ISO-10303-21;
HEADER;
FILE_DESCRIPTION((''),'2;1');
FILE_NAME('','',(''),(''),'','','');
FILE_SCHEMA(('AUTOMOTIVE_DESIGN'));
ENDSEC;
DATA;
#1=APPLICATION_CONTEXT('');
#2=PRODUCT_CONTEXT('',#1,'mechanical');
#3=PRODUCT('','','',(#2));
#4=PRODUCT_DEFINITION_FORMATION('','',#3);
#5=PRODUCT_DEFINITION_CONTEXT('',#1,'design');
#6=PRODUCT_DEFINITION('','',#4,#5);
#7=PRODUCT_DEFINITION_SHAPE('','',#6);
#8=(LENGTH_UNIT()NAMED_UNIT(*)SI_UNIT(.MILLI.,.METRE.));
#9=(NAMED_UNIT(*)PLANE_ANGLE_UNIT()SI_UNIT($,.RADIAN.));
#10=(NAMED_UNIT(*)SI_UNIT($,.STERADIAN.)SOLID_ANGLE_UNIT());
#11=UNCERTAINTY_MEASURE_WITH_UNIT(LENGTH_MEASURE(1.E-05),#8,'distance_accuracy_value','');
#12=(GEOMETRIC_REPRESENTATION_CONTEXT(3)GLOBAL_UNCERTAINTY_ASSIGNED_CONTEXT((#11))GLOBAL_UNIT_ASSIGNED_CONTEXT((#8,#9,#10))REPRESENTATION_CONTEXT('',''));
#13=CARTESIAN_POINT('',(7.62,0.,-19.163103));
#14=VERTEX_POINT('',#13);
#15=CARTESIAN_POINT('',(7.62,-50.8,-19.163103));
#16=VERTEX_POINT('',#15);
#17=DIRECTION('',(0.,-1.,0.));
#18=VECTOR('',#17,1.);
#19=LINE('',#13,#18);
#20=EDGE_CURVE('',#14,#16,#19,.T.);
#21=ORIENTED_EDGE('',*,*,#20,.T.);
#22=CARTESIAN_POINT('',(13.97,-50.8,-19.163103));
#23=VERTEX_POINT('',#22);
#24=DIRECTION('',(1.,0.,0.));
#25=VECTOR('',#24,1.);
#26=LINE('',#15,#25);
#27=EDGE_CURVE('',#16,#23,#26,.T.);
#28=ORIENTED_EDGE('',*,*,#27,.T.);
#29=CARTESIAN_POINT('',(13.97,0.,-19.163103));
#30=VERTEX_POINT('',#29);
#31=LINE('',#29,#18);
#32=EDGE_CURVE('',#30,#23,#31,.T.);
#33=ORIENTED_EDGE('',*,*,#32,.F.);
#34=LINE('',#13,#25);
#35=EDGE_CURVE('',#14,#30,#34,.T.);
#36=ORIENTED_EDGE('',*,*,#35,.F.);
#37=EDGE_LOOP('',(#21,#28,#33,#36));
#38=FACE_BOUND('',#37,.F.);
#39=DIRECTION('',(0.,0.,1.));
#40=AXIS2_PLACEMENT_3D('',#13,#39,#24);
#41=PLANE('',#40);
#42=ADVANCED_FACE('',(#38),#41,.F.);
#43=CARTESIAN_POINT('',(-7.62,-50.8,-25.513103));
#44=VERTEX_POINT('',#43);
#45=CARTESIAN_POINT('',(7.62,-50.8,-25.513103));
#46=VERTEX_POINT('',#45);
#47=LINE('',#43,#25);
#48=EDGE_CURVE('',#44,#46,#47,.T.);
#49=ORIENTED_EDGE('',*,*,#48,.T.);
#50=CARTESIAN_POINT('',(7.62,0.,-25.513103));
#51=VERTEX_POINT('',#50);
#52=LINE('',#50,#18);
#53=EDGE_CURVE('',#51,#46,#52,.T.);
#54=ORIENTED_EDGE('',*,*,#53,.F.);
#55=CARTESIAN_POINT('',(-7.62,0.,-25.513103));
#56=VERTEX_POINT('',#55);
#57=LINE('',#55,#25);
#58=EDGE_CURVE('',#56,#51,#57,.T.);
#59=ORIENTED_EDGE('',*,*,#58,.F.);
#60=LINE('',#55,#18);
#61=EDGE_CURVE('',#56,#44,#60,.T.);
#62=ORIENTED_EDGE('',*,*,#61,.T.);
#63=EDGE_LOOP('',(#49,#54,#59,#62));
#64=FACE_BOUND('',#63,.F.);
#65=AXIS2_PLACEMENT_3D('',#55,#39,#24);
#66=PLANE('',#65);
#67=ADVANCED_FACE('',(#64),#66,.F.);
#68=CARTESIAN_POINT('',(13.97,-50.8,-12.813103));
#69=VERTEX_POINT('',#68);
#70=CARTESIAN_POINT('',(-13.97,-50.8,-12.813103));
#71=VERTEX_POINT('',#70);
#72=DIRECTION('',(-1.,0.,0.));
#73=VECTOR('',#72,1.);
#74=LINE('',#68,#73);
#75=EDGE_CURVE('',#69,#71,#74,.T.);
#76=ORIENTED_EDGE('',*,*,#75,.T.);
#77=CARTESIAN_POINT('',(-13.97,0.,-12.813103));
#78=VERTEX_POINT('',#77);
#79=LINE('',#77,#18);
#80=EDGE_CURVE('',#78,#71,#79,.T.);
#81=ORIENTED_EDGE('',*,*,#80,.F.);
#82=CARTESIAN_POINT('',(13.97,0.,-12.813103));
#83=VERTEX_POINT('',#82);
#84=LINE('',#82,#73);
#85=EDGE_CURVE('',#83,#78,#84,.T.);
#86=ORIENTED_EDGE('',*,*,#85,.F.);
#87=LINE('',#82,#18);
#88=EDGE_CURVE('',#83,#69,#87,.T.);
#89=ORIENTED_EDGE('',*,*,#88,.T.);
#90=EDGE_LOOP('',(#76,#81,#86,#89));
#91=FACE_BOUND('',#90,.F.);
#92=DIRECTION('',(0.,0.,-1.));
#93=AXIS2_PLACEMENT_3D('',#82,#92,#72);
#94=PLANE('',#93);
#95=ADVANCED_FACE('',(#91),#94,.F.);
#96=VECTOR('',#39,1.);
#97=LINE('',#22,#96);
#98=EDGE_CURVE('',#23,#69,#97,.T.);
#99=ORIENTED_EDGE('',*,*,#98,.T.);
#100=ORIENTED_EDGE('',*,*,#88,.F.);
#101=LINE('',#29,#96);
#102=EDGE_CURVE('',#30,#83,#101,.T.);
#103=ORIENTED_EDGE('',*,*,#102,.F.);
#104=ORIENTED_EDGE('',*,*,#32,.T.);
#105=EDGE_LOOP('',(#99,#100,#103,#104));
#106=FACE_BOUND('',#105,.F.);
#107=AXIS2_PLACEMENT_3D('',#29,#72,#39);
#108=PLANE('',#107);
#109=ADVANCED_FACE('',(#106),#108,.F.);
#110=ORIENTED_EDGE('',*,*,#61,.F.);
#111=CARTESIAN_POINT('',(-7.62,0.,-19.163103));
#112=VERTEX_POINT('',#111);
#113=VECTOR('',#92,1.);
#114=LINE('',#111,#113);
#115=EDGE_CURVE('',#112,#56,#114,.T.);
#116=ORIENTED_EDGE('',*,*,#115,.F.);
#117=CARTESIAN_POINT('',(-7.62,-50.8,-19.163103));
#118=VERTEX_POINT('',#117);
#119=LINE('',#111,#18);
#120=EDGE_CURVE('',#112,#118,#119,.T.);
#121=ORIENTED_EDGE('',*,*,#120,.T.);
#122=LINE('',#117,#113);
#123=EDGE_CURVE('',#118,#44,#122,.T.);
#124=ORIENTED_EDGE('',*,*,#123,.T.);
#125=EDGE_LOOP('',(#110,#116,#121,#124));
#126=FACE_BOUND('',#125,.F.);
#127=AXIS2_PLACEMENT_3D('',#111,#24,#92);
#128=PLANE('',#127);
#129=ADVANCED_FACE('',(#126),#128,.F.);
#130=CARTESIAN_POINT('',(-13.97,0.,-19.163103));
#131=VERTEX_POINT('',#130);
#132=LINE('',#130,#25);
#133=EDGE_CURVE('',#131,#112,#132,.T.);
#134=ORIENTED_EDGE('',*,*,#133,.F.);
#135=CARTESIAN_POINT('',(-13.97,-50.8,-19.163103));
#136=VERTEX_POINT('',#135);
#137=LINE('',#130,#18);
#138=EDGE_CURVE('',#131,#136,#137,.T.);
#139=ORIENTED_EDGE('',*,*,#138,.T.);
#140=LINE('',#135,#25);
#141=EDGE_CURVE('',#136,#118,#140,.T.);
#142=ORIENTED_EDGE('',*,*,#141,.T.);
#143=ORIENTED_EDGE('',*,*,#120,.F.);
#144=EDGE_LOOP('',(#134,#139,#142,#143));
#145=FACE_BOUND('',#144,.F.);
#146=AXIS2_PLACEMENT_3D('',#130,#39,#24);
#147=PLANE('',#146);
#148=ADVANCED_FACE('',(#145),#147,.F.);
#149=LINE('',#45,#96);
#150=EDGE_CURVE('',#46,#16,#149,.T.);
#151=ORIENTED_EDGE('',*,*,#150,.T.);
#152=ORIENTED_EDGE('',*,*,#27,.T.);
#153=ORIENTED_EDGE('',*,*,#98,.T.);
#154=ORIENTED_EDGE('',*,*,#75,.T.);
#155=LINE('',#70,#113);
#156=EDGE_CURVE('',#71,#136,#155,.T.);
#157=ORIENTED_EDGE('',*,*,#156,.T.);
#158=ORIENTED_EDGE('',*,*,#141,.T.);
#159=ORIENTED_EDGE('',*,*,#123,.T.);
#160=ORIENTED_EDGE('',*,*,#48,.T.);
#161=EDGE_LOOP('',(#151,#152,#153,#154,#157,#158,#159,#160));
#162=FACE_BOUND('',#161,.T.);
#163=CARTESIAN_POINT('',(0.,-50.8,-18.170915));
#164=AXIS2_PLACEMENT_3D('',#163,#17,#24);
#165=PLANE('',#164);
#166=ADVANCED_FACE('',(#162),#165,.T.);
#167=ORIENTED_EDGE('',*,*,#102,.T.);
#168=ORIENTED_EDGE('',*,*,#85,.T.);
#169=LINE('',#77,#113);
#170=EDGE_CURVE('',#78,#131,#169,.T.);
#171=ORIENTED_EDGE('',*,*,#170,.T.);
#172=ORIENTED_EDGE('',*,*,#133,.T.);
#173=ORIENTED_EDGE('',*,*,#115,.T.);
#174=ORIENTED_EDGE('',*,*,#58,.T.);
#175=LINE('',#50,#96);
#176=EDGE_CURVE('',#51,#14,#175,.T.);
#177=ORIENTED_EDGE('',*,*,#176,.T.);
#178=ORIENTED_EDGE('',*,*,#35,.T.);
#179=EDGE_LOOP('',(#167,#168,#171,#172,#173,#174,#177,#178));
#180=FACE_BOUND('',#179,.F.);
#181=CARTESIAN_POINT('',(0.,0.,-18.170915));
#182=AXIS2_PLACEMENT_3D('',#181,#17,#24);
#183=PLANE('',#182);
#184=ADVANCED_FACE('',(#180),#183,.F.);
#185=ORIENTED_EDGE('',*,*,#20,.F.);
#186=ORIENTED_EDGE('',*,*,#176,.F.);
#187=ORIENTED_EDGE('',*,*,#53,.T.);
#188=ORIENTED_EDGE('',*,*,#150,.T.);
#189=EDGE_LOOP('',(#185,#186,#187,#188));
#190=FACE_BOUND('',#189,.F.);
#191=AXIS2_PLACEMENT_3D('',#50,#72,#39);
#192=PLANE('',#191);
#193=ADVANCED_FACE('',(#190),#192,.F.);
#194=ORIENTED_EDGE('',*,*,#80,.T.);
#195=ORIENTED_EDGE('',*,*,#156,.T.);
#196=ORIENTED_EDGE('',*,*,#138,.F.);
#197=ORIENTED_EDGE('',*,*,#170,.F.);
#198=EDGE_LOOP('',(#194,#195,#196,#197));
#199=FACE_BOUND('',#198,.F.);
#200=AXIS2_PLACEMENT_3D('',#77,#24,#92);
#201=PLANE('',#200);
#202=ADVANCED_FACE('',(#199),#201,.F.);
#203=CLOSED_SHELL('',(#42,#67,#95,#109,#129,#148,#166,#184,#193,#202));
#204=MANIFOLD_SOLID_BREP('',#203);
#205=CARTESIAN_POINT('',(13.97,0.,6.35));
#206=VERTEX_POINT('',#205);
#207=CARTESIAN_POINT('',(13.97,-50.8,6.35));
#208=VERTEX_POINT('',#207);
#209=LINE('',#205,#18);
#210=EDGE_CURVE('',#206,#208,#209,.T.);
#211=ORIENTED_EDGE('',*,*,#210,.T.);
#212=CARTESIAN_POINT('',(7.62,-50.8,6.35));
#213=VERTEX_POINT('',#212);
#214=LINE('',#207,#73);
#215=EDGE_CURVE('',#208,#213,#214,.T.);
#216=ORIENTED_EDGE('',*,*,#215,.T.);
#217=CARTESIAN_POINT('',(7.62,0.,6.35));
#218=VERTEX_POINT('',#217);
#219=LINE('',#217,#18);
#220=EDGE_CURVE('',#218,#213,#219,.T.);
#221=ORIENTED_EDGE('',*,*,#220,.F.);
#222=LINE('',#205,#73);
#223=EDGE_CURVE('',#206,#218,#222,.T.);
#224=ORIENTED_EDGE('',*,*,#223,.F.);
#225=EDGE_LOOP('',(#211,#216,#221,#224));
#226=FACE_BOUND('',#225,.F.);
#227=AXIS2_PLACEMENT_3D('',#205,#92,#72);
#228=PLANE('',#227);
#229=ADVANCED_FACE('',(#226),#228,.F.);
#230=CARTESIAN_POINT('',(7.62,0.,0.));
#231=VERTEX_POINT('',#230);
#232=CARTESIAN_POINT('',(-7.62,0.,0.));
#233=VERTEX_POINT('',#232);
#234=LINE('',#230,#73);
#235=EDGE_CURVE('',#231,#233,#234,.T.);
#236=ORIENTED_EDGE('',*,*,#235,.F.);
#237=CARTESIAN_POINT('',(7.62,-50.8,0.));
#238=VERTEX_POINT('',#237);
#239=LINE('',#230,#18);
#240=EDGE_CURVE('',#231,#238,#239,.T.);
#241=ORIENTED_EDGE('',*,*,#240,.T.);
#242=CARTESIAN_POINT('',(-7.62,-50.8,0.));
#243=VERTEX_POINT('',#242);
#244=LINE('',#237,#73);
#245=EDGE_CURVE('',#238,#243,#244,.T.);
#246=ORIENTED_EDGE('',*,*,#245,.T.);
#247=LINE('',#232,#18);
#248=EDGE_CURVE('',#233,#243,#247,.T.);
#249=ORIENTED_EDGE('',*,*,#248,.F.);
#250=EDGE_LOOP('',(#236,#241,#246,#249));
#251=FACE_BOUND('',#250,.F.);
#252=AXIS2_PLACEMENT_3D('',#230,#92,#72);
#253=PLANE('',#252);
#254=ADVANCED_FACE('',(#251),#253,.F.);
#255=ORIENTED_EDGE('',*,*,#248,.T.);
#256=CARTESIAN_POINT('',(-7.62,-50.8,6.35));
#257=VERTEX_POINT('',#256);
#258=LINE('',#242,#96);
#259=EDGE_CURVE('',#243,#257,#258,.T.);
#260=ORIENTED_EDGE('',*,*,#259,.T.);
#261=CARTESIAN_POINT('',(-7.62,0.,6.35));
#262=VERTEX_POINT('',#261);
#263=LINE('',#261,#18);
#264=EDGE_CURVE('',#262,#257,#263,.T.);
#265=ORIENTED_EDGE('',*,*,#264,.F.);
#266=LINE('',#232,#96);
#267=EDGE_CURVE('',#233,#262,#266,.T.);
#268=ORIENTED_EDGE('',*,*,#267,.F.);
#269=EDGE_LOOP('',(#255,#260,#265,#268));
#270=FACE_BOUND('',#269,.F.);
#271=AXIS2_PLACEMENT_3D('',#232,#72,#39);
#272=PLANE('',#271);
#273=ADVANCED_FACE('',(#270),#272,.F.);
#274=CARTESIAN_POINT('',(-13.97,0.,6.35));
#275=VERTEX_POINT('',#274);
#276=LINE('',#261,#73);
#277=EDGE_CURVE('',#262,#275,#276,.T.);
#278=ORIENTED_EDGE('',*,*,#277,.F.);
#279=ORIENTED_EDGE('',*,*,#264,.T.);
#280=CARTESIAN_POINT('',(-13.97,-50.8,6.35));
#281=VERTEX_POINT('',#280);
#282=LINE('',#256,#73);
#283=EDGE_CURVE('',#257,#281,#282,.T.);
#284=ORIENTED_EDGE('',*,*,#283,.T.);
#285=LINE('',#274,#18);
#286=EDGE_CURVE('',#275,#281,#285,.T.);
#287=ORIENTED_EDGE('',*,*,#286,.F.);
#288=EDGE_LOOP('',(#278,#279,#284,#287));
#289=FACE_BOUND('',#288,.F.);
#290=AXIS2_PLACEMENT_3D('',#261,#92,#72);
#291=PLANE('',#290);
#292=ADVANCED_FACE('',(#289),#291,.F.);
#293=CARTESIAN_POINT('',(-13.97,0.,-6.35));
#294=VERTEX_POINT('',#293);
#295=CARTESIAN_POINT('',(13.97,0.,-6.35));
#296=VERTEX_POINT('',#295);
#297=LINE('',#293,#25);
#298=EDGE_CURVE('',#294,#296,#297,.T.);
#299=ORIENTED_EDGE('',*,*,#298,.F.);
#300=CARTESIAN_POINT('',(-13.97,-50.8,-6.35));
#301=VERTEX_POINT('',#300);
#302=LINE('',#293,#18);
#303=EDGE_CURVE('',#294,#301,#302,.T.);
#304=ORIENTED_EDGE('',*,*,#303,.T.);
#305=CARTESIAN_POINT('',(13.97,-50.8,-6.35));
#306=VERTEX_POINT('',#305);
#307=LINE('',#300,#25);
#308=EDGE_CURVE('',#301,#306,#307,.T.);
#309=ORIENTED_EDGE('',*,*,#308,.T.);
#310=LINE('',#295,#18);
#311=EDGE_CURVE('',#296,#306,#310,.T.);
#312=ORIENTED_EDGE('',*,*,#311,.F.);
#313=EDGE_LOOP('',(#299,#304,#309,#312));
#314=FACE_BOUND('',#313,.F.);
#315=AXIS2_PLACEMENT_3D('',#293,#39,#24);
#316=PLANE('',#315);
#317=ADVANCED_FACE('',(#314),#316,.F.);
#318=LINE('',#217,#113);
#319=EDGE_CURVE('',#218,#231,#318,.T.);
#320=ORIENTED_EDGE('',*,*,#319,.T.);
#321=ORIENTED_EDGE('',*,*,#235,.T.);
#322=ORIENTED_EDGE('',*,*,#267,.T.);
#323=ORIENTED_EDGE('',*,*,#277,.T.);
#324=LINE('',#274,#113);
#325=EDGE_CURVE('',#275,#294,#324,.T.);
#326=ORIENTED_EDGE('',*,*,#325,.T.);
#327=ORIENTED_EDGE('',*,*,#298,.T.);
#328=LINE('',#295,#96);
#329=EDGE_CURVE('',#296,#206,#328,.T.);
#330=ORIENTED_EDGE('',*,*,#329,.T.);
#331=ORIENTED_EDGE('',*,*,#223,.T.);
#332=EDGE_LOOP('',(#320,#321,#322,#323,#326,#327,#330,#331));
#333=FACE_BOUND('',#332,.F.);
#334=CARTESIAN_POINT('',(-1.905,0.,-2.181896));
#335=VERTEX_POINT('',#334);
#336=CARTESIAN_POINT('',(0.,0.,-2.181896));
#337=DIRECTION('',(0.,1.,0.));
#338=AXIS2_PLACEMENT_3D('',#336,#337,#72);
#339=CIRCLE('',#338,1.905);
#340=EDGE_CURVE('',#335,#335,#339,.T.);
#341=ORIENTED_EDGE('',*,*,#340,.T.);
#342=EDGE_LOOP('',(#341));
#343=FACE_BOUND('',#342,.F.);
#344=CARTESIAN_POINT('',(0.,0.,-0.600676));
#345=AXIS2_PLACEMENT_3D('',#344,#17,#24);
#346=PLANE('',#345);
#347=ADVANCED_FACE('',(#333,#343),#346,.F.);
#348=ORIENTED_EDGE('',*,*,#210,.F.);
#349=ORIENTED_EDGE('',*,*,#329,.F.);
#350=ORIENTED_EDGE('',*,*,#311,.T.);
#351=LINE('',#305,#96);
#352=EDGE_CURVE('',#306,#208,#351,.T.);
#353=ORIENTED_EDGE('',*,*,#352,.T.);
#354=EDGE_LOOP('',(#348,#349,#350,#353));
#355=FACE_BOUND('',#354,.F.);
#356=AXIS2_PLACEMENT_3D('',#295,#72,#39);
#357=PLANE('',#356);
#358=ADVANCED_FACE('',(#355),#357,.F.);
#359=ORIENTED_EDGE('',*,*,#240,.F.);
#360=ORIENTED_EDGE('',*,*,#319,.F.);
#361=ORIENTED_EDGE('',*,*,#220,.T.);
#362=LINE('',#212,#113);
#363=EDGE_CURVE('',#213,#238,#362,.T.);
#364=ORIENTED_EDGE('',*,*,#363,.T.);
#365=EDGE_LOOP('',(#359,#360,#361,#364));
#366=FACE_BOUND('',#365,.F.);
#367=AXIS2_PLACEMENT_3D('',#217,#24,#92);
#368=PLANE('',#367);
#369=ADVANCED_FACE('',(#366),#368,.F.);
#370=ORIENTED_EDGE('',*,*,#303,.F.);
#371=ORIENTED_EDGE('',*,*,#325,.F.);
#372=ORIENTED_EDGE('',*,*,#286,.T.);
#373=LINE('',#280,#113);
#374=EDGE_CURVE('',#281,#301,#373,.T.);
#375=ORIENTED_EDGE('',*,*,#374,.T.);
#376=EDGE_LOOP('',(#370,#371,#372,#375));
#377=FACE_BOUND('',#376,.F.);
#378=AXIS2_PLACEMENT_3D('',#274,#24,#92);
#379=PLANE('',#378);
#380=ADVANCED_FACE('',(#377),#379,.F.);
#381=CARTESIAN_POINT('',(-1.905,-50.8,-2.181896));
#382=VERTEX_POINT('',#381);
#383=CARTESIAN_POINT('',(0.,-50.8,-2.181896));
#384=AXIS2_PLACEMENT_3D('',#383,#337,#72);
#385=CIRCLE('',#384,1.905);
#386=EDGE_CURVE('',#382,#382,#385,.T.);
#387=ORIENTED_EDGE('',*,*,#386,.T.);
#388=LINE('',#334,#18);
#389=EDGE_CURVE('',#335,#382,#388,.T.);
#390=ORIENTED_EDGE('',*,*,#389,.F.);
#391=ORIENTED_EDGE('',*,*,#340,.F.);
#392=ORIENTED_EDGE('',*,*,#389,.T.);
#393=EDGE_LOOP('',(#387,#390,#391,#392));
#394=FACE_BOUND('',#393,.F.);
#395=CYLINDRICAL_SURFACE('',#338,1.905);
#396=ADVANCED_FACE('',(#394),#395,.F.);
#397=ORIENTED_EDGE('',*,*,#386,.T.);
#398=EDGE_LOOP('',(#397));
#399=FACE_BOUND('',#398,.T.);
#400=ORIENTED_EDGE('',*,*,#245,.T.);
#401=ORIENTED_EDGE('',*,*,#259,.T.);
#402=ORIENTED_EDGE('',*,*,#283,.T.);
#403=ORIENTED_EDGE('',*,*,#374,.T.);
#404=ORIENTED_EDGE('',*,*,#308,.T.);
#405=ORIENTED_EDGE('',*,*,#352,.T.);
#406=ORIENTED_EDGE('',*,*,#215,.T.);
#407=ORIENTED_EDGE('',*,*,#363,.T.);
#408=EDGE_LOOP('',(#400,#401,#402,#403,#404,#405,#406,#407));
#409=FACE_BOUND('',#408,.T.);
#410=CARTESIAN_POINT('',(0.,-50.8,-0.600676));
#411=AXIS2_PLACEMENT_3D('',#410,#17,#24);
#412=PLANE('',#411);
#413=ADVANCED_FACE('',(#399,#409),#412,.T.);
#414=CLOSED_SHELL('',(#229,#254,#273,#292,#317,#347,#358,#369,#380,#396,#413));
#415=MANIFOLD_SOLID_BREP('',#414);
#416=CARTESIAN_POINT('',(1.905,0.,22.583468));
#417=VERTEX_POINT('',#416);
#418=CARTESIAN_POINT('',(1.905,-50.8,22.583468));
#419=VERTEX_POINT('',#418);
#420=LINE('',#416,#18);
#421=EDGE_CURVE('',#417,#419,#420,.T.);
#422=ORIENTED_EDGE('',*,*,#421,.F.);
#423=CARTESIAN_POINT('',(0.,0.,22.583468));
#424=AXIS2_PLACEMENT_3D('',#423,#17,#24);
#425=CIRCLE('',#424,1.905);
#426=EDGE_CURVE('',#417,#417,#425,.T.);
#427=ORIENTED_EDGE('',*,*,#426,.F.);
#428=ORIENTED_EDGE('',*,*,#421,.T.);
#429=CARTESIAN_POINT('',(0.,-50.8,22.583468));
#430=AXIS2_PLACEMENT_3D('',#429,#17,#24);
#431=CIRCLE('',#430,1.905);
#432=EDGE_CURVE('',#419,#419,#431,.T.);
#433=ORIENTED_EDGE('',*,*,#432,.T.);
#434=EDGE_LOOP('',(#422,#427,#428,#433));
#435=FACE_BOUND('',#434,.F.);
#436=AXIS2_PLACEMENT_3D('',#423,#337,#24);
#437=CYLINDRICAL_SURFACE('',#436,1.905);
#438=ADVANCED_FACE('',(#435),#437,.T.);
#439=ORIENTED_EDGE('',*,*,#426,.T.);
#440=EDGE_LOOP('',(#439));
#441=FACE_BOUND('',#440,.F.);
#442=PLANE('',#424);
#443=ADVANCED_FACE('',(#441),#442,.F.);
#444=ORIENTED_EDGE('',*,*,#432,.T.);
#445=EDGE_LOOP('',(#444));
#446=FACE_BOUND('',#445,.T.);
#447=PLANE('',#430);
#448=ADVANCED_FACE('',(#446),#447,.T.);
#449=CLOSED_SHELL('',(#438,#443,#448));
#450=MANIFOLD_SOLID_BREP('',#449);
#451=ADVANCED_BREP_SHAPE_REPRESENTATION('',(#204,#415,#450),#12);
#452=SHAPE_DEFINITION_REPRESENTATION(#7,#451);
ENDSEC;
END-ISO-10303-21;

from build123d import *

# Parameters (mm, degrees)
F1_DEPTH = 50.8
F2_R     = 1.905
F3_DEPTH = 50.8
F0_R     = 1.905
F4_DEPTH = 50.8
F5_DEPTH = 50.8
F6_R     = 1.905
F7_DEPTH = 50.8


with BuildPart() as f1:
    # F0 (on Front) → F1 (new body)
    with BuildSketch(Plane.XZ):
        Polygon((7.62, 0), (0, 0), (-7.62, 0), (-7.62, 6.35), (-13.97, 6.35), (-13.97, -6.35), (0, -6.35), (13.97, -6.35), (13.97, 6.35), (7.62, 6.35), align=None)
    extrude(amount=F1_DEPTH)

    # F2 (on face) → F3 (cut)
    with BuildSketch(Plane.XZ.offset(50.8)):
        with Locations((0, -3.175)):
            Circle(F2_R)
    extrude(amount=-F3_DEPTH, mode=Mode.SUBTRACT)

    # F0 (on Front) → F4 (join)
    with BuildSketch(Plane.XZ):
        Polygon((13.97, -12.813103), (0, -12.813103), (-13.97, -12.813103), (-13.97, -19.163103), (-7.62, -19.163103), (-7.62, -25.513103), (7.62, -25.513103), (7.62, -19.163103), (13.97, -19.163103), align=None)
        Polygon((7.62, 0), (0, 0), (-7.62, 0), (-7.62, 6.35), (-13.97, 6.35), (-13.97, -6.35), (0, -6.35), (13.97, -6.35), (13.97, 6.35), (7.62, 6.35), align=None)
        with Locations((0, 22.583468)):
            Circle(F0_R)
    extrude(amount=F4_DEPTH)

    # F0 (on Front) → F5 (join)
    with BuildSketch(Plane.XZ):
        with Locations((0, 22.583468)):
            Circle(F0_R)
    extrude(amount=F5_DEPTH)

    # F6 (on face) → F7 (cut)
    with BuildSketch(Plane(origin=(0, 0, 0), x_dir=(-1, 0, 0), z_dir=(0, 1, 0))):
        with Locations((0, -2.181896)):
            Circle(F6_R)
    extrude(amount=-F7_DEPTH, mode=Mode.SUBTRACT)


solid = f1.part
